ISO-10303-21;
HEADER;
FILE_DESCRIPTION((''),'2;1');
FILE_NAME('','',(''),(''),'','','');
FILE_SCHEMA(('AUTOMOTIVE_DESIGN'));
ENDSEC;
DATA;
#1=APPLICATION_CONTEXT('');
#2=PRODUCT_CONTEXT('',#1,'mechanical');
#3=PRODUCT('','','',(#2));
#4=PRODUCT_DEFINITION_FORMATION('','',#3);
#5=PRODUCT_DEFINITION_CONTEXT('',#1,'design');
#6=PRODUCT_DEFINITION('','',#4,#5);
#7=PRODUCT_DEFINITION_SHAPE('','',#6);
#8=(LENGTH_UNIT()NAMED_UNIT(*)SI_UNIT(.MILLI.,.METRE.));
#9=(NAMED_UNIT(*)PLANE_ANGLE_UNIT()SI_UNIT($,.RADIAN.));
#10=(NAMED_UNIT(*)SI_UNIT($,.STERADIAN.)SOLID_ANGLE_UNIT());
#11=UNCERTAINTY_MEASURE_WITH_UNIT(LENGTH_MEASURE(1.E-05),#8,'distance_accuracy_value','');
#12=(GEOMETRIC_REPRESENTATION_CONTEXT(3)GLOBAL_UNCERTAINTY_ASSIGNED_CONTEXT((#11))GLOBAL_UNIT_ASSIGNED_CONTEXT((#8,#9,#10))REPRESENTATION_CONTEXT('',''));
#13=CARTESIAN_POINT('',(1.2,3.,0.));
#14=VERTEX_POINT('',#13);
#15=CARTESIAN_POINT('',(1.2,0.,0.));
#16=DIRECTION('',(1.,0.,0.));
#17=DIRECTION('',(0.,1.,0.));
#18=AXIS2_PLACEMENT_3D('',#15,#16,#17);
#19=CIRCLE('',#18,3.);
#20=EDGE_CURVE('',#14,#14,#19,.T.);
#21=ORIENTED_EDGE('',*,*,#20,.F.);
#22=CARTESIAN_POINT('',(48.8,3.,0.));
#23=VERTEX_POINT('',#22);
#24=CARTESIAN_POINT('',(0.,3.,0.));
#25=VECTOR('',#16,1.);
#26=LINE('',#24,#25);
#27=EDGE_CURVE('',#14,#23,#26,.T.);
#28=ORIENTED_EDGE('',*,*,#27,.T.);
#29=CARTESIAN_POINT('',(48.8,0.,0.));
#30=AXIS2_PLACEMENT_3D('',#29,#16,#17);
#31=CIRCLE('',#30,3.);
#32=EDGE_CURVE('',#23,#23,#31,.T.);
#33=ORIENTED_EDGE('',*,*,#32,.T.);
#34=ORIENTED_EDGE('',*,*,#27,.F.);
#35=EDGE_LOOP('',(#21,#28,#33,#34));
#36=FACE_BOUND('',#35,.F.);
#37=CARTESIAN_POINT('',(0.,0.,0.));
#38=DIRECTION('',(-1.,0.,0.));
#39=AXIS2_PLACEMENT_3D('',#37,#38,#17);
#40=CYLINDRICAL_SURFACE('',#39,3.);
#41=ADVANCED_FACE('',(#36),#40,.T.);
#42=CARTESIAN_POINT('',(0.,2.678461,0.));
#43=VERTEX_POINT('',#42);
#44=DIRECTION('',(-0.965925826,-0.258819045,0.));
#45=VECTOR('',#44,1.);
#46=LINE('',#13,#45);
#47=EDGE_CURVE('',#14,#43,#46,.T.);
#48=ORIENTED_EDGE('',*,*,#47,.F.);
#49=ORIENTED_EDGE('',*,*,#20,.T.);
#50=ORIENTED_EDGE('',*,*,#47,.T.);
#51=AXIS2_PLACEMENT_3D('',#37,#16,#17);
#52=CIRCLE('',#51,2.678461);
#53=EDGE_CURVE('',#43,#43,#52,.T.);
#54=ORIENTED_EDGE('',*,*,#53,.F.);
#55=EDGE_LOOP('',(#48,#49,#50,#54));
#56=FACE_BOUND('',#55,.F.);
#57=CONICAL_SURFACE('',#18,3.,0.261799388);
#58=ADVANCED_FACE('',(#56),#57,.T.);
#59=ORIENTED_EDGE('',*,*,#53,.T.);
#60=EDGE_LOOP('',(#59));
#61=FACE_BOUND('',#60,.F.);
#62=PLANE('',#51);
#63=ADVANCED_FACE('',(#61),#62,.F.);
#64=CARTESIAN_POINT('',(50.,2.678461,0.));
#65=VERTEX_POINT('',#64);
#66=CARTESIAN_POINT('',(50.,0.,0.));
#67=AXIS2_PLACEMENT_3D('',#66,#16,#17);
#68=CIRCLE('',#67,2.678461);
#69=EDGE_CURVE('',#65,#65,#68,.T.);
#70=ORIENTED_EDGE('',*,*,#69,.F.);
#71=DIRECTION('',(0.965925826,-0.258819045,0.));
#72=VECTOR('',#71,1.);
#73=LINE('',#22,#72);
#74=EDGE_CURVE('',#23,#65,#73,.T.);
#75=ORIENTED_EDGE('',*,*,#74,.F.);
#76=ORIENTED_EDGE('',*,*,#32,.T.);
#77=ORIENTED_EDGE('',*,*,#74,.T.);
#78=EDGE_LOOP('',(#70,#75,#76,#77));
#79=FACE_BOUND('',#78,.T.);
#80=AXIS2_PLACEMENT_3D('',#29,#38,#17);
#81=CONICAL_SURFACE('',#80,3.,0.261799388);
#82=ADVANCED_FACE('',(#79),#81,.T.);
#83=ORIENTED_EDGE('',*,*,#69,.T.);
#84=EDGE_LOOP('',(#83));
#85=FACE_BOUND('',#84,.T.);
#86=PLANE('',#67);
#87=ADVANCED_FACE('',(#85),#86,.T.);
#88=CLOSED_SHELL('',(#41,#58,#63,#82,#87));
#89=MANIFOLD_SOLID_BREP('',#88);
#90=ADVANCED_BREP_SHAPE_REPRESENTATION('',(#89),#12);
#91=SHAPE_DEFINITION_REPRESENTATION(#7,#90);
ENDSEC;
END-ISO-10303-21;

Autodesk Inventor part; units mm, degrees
ref_plane "YZ Plane" through (0, 0, 0) normal (1, 0, 0) x (0, 1, 0)
ref_plane "XZ Plane" through (0, 0, 0) normal (0, 1, 0) x (-1, 0, 0)
ref_plane "XY Plane" through (0, 0, 0) normal (0, 0, 1) x (1, 0, 0)
sketch "Sketch" plane through (0, 0, 0) normal (1, 0, 0) x (0, 1, 0)
  circle A0 centre (0, 0) radius 3
  dimension "d1" = 6
extrude "Body" add sketch "Sketch" along normal blind 50
chamfer "Chamfer1" distance 1.2 angle 15 1 edges at (0, -3, 0) measured on face at (16.6667, 2.9612, -0.4812)
chamfer "Sketch2" distance 1.2 angle 15 1 edges at (50, -3, 0) measured on face at (33.7333, 2.9903, -0.2414)
equation "\"d1\" = NND"
equation "\"d2\" = NLG"
equation "\"d8\" = PHH"
equation "\"d9\" = FAWI"
equation "\"d12\" = PHH"
equation "\"d4\" = PHH"
equation "\"d5\" = FAWI"
equation "\"d11\" = PHH"
equation "\"NND\" = 6"
equation "\"NLG\" = 50"
equation "\"PHH\" = 1.2"
equation "\"FAWI\" = 15deg"
equation "\"KAH\" = 0"
properties part number "ISO 2338 - 6 m6 x 50" material "Stainless Steel, Austenitic"
